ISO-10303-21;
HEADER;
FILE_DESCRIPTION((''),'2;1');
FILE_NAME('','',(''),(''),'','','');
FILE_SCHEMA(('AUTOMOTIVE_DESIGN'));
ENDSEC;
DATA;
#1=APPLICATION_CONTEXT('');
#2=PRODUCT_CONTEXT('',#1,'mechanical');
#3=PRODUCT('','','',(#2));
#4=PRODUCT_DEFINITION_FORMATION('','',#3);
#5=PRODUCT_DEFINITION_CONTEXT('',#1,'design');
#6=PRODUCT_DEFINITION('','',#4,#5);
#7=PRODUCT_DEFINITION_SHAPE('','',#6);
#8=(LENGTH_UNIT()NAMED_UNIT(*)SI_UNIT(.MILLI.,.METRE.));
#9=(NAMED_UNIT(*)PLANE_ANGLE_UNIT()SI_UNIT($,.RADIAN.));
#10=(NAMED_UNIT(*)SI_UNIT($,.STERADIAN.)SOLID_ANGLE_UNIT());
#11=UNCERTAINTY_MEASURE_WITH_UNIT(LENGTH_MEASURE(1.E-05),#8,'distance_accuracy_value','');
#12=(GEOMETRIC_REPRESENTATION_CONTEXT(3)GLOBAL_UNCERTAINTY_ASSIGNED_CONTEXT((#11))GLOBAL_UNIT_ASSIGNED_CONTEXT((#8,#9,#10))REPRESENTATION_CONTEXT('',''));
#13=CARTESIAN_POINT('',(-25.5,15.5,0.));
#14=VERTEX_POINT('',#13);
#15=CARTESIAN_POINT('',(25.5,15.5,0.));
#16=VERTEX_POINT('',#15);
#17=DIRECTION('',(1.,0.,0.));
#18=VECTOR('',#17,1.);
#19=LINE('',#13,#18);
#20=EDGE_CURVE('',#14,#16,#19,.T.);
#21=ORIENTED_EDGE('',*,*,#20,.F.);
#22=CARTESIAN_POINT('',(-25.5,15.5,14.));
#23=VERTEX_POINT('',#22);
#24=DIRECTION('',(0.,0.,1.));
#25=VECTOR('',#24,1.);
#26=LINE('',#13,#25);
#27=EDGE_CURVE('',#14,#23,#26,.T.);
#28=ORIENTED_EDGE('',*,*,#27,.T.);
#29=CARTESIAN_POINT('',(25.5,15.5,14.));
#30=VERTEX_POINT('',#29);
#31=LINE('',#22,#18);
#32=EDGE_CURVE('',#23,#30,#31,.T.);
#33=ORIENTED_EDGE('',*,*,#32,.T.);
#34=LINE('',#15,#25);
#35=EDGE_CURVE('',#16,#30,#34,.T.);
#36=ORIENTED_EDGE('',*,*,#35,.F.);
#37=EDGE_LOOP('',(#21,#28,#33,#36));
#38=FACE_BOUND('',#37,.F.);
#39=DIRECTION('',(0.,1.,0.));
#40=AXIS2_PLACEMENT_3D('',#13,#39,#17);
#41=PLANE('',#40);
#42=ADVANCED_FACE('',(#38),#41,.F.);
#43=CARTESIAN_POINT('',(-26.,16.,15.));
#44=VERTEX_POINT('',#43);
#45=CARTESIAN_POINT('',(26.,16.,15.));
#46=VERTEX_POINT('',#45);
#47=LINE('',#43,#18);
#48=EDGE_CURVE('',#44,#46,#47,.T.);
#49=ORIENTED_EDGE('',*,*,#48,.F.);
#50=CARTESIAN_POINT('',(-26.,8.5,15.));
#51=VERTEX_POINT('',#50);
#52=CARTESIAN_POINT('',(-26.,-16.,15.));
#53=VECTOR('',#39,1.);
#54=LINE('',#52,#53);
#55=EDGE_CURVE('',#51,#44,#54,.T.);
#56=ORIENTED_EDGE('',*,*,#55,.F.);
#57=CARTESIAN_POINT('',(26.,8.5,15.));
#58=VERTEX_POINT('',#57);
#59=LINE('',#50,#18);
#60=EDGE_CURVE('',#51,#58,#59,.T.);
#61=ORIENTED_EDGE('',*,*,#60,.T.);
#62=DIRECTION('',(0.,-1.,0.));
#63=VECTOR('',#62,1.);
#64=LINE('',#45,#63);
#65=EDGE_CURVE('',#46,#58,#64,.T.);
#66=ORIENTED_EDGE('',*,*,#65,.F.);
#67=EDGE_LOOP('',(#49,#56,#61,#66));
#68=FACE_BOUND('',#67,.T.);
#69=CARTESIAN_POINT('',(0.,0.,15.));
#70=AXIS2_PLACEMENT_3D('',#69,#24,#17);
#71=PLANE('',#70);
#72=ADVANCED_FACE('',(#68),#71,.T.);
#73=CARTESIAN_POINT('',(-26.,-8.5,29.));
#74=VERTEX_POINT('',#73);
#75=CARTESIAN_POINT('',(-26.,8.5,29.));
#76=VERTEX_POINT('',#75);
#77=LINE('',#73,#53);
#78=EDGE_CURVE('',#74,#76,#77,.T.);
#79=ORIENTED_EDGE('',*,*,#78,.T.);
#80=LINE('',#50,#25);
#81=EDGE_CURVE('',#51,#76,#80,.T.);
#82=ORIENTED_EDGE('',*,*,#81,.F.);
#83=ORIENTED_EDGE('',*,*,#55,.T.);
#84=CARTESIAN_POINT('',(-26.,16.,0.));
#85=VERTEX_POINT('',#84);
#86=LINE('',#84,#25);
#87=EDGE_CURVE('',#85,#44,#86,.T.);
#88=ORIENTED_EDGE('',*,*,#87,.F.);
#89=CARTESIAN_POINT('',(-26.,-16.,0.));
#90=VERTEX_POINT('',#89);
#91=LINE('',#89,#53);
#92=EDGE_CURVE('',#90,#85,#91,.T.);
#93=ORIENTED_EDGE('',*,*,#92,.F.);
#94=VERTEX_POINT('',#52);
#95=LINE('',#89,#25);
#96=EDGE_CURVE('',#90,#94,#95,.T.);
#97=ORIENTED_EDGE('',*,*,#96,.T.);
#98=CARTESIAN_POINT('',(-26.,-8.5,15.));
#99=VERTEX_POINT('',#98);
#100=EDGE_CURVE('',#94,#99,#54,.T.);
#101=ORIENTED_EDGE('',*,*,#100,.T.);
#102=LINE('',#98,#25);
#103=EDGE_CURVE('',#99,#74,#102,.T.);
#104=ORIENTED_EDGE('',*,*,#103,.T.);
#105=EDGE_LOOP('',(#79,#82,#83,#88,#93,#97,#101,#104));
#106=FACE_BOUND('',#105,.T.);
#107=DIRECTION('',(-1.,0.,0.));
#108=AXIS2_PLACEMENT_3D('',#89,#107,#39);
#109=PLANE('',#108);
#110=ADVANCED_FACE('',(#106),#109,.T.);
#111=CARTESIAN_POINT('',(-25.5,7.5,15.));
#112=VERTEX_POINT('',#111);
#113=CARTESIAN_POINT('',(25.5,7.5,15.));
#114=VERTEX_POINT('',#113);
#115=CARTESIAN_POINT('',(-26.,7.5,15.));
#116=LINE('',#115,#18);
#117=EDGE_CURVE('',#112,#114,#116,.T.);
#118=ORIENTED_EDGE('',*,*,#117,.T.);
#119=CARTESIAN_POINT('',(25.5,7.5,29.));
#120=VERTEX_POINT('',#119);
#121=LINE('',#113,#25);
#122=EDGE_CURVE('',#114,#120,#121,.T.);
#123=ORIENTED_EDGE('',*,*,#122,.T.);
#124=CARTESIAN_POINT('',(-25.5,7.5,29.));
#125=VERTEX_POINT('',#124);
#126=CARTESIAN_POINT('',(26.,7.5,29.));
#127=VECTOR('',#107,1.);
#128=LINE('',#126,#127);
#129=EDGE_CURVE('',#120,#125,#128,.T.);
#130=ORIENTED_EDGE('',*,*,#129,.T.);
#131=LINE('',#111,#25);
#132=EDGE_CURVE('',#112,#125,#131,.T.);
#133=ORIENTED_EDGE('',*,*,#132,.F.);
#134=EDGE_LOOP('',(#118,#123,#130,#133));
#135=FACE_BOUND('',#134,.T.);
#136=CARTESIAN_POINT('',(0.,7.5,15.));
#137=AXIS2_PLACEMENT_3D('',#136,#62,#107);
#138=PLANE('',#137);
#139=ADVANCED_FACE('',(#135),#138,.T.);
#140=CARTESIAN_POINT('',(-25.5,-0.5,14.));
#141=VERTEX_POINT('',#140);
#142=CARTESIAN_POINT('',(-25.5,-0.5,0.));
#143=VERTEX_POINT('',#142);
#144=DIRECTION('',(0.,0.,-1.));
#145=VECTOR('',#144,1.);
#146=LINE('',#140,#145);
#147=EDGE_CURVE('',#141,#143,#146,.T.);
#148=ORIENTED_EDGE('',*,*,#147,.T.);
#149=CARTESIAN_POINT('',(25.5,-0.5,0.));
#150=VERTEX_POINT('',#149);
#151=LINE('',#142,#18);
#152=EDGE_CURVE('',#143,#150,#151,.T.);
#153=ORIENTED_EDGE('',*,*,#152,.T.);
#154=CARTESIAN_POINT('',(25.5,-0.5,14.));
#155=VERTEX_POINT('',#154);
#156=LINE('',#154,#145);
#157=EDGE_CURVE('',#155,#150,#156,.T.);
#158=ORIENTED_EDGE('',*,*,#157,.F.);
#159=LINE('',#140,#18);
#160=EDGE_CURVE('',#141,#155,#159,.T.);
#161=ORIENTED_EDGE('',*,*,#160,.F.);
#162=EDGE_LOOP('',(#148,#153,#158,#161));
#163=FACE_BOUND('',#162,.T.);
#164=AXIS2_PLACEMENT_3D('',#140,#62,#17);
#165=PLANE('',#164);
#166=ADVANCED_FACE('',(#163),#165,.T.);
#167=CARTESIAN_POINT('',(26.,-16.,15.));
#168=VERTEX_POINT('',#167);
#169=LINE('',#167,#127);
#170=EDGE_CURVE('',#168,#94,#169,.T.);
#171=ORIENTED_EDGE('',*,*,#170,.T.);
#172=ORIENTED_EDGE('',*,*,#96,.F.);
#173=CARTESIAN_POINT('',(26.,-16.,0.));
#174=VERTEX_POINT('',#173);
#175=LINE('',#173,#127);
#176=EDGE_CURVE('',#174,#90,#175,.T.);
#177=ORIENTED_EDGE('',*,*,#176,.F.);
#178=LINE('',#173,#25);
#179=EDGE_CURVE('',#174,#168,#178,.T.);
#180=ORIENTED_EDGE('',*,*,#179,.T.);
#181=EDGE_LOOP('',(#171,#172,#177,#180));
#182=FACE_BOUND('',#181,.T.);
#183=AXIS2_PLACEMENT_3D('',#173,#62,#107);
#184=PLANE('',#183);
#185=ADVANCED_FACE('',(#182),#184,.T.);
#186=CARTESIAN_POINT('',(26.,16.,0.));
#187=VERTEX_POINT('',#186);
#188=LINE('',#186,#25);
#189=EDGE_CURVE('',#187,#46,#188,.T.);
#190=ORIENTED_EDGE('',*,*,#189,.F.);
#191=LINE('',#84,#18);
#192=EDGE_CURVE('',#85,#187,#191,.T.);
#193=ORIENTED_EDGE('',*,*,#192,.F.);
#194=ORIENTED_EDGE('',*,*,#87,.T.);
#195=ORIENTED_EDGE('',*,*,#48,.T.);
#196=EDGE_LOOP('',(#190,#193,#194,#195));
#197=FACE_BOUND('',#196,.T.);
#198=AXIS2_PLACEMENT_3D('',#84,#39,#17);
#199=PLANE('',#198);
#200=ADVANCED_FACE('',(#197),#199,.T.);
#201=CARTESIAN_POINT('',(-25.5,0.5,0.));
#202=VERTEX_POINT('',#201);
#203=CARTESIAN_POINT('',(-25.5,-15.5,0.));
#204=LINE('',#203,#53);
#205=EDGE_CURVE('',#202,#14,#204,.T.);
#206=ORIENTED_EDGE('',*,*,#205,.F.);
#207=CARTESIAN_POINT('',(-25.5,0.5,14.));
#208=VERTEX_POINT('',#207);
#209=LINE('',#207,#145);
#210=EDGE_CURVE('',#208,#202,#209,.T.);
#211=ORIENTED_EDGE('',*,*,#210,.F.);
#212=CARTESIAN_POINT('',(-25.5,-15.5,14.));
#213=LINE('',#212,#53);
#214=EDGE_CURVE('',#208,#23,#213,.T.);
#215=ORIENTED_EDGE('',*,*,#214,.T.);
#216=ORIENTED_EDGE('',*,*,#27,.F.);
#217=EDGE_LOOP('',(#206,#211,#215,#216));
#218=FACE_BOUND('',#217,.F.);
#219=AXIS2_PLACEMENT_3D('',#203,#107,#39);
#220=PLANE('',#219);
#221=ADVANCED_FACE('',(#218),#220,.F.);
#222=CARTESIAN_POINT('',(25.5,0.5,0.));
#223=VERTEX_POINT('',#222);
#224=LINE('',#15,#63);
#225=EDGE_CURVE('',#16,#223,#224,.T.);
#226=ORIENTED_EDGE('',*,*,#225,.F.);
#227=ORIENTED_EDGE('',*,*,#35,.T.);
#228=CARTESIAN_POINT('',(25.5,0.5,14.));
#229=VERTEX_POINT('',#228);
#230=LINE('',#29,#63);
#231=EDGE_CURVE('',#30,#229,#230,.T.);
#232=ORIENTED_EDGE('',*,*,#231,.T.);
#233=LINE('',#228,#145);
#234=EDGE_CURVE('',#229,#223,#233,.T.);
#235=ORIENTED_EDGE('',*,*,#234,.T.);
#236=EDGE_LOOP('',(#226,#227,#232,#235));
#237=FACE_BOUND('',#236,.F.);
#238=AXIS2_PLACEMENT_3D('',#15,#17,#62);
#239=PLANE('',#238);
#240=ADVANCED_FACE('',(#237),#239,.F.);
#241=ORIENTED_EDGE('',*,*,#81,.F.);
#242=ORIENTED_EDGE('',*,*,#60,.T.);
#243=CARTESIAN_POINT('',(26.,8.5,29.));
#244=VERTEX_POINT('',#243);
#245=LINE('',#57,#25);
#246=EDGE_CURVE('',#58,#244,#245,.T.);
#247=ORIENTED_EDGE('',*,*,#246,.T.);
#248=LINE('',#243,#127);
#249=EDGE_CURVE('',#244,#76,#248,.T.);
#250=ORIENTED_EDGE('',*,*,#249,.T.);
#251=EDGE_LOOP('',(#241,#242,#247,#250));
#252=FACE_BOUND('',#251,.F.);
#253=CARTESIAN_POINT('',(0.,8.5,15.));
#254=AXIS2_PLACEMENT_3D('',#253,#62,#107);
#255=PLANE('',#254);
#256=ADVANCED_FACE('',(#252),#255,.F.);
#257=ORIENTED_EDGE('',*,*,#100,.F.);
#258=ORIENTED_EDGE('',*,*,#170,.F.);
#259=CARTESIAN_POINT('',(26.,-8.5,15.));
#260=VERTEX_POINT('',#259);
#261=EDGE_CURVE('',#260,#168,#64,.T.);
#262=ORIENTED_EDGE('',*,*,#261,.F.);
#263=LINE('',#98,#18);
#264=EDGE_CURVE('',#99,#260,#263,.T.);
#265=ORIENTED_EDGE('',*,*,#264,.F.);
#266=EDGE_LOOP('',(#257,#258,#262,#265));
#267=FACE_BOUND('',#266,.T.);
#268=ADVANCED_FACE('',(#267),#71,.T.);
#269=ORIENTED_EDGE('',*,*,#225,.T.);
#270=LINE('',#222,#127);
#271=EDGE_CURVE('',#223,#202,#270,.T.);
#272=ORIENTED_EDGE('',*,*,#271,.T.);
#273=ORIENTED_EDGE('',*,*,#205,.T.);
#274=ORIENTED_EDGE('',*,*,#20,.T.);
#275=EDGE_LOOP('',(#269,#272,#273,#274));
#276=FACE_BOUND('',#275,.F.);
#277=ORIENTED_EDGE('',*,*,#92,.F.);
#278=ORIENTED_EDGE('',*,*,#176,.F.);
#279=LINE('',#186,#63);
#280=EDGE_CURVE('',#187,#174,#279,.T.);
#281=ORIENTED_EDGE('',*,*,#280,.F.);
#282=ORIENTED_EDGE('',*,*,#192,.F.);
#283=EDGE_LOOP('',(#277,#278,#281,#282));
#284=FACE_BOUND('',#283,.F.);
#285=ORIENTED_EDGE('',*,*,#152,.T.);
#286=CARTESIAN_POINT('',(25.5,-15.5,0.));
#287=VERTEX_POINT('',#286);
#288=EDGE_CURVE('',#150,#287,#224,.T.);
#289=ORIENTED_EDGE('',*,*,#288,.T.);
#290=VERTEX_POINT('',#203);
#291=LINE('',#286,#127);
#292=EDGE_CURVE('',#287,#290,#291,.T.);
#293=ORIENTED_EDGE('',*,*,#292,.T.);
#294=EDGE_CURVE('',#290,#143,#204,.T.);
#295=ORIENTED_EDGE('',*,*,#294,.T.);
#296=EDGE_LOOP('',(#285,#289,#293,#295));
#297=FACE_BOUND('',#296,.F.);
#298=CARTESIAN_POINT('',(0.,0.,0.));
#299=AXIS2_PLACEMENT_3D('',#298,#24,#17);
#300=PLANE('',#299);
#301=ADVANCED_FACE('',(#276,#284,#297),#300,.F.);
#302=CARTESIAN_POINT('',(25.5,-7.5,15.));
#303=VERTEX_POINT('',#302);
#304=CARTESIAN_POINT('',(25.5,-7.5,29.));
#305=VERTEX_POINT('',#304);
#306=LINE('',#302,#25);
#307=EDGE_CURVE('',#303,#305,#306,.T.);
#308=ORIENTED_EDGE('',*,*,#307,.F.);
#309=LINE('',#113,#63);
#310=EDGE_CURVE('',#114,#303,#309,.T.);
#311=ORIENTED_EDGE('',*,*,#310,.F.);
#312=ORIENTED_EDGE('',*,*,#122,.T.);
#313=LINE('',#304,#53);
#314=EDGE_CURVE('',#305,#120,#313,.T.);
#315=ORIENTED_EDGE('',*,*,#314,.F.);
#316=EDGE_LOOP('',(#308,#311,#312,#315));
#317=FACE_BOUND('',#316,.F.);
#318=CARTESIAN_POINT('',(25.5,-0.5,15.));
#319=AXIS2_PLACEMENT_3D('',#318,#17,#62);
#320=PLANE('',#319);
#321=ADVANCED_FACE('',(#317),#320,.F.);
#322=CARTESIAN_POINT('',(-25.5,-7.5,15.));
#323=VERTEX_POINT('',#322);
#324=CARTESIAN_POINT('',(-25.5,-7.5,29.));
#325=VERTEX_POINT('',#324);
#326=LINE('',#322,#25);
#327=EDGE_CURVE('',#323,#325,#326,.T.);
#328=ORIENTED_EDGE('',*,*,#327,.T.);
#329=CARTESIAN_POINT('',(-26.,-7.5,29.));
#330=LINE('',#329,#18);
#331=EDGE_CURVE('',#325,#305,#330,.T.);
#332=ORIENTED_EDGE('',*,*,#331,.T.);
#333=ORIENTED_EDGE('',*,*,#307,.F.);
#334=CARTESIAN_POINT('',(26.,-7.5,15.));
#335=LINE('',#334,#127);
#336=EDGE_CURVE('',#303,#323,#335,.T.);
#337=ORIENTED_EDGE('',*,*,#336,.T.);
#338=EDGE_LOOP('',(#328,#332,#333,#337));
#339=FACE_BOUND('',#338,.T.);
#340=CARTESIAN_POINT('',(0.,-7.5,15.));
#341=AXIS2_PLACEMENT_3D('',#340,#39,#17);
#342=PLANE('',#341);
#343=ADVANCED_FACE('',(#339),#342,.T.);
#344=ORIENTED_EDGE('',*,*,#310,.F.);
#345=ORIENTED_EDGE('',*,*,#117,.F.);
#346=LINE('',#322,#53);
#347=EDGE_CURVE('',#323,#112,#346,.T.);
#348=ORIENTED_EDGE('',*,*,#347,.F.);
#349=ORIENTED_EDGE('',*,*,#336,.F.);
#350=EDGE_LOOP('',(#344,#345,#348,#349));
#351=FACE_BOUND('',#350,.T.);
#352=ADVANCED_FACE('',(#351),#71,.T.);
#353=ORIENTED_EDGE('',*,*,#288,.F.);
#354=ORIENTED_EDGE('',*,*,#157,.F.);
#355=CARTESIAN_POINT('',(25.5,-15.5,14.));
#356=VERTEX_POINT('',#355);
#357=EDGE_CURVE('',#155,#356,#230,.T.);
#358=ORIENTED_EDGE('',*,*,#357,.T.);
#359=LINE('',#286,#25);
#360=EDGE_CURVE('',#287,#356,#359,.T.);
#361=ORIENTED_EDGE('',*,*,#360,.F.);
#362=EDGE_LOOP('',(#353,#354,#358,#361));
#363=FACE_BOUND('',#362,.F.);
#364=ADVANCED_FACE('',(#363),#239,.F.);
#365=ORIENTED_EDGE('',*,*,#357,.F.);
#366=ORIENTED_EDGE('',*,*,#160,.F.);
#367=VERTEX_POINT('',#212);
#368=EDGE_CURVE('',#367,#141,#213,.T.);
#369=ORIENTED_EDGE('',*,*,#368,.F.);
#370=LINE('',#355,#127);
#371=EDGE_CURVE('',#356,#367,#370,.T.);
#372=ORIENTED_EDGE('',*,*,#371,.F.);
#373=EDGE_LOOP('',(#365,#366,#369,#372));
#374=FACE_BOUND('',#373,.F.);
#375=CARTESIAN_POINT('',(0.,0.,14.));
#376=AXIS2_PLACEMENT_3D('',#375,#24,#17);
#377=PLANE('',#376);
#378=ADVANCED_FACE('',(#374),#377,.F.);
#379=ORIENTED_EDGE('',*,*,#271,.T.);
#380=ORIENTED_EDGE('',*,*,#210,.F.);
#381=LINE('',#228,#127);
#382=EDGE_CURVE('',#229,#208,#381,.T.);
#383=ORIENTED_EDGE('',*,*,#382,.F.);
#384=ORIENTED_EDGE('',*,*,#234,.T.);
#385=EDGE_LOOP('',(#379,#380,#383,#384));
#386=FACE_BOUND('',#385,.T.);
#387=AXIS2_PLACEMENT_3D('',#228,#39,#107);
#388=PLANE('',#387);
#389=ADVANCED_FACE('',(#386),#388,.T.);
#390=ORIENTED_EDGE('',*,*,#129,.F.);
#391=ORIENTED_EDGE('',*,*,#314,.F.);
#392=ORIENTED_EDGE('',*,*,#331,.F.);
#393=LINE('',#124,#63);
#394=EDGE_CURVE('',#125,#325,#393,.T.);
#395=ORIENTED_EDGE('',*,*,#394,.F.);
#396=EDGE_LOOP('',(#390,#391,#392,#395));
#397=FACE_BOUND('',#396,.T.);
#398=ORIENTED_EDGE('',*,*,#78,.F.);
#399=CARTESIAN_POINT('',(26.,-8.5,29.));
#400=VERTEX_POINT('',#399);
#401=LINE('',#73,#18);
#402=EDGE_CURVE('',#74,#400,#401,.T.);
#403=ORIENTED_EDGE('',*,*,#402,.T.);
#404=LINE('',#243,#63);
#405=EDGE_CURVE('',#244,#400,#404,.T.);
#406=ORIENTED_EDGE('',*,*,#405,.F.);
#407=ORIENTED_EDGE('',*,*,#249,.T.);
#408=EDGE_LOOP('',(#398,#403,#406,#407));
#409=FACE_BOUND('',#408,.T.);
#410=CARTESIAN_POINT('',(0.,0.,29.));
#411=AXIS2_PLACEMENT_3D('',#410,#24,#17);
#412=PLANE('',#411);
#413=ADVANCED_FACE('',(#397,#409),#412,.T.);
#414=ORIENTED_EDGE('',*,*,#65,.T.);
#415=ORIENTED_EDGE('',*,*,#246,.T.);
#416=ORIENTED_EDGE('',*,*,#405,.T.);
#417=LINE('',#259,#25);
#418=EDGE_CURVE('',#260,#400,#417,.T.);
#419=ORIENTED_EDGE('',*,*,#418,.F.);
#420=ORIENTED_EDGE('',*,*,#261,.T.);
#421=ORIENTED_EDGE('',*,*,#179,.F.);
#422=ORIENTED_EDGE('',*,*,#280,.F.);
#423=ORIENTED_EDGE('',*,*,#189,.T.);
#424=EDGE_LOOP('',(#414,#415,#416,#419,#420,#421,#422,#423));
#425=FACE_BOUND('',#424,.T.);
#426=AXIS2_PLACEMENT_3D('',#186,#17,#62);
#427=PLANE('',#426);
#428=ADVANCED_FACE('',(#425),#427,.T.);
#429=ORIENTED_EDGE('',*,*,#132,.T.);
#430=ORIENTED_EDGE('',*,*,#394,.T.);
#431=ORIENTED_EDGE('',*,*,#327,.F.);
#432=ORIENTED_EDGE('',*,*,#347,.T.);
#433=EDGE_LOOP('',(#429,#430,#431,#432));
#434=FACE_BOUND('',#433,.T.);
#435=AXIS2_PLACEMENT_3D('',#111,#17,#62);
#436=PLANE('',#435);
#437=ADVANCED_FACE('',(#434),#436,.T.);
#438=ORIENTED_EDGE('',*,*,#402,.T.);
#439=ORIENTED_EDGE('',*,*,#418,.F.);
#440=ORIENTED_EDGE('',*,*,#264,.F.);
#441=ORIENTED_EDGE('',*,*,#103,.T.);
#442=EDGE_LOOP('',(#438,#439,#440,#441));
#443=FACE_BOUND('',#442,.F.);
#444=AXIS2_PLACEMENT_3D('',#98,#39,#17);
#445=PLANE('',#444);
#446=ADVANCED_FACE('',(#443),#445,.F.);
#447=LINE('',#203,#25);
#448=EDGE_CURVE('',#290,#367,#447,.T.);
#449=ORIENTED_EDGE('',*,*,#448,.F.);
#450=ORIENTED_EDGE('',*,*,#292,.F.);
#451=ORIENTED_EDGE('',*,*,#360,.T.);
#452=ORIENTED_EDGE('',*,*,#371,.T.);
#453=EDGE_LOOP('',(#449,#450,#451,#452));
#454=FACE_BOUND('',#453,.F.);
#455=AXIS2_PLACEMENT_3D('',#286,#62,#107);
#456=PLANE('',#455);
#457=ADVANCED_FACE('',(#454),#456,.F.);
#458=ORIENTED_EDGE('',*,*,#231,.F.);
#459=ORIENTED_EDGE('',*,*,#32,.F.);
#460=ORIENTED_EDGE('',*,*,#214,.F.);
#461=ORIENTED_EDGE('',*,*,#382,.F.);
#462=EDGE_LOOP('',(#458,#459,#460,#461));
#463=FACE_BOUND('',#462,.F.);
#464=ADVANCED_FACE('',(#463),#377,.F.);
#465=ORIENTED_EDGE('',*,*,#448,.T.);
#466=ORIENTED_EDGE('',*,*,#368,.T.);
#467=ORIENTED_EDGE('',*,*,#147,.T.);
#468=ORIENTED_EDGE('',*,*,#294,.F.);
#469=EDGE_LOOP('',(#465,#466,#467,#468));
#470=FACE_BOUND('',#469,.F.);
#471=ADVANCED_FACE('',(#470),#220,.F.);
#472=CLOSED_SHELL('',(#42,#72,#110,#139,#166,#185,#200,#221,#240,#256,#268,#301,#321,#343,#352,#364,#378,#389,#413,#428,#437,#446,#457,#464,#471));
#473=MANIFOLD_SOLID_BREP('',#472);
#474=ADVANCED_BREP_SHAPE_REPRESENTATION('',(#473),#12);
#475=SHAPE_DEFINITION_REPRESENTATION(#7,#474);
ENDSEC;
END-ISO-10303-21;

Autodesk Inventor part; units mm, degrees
ref_plane "YZ Plane" through (0, 0, 0) normal (1, 0, 0) x (0, 1, 0)
ref_plane "XZ Plane" through (0, 0, 0) normal (0, 1, 0) x (-1, 0, 0)
ref_plane "XY Plane" through (0, 0, 0) normal (0, 0, 1) x (1, 0, 0)
sketch "Szkic1" plane through (0, 0, 0) normal (0, 0, 1) x (1, 0, 0)
  line L0 (25.5, -15.5) -> (-25.5, -15.5)
  line L1 (-25.5, -15.5) -> (-25.5, 15.5)
  line L2 (-25.5, 15.5) -> (25.5, 15.5)
  line L3 (25.5, 15.5) -> (25.5, -15.5)
  line L4 (25.5, -15.5) -> (-25.5, 15.5) construction
  line L5 (-25.5, -15.5) -> (25.5, 15.5) construction
  line L6 (26, -16) -> (-26, -16)
  line L7 (-26, -16) -> (-26, 16)
  line L8 (-26, 16) -> (26, 16)
  line L9 (26, 16) -> (26, -16)
  line L10 (26, -16) -> (-26, 16) construction
  line L11 (-26, -16) -> (26, 16) construction
  point P0 (0, 0)
  dimension "d0" = 51
  dimension "d1" = 31
  dimension "d2" = 52
  dimension "d3" = 32
extrude "Wyciągnięcie proste1" add sketch "Szkic1" along normal blind 15
sketch "Szkic2" plane through (0, 0, 15) normal (0, 0, 1) x (1, 0, 0)
  line L0 (-25.5, -15.5) -> (-25.5, 15.5) projected
  line L1 (25.5, -15.5) -> (-25.5, -15.5)
  line L2 (-25.5, -15.5) -> (-25.5, 15.5)
  line L3 (-25.5, 15.5) -> (25.5, 15.5)
  line L4 (25.5, 15.5) -> (25.5, -15.5)
  line L5 (25.5, -15.5) -> (-25.5, 15.5) construction
  line L6 (-25.5, -15.5) -> (25.5, 15.5) construction
  point P0 (0, 0)
extrude "Wyciągnięcie proste2" add sketch "Szkic2" against normal blind 1
sketch "Szkic4" plane through (0, 0, 14) normal (0, 0, -1) x (-1, 0, 0)
  line L0 (-25.5, -15.5) -> (-25.5, 15.5) projected
  line L1 (-25.5, 0) -> (-25.5, 0.5)
  line L2 (-25.5, 0.5) -> (25.5, 0.5)
  line L3 (25.5, 15.5) -> (25.5, -15.5) projected
  line L4 (25.5, -0.5) -> (-25.5, -0.5)
  point P0 (0, 0)
  dimension "d14" = 0.5
extrude "Wyciągnięcie proste4" add sketch "Szkic4" along normal blind 14
sketch "Szkic5" plane through (0, 0, 15) normal (0, 0, 1) x (1, 0, 0)
  line L0 (0, 0) -> (0, 7.5)
  line L1 (0, 7.5) -> (0, 8.5)
  line L2 (0, 8.5) -> (26, 8.5)
  line L3 (26, -16) -> (26, 16) projected
  line L4 (0, 8.5) -> (-26, 8.5)
  line L5 (-26, 16) -> (-26, -16) projected
  line L6 (25.5, -0.5) -> (-25.5, -0.5) projected
  line L7 (0, 0) -> (0, -7.5)
  line L8 (0, -7.5) -> (26, -7.5)
  line L9 (0, -7.5) -> (-26, -7.5)
  line L10 (0, 7.5) -> (26, 7.5)
  line L11 (26, 8.5) -> (26, 7.5)
  line L12 (0, 7.5) -> (-26, 7.5)
  line L13 (-26, 8.5) -> (-26, 7.5)
  line L14 (-26, -7.5) -> (-26, -8.5)
  line L15 (-26, -8.5) -> (26, -8.5)
  line L16 (26, -7.5) -> (26, -8.5)
  line L17 (26, -7.5) -> (26, 7.5)
  line L18 (-26, 7.5) -> (-26, -7.5)
  dimension "d17" = 7.5
  dimension "d18" = 1
  dimension "d20" = 7.5
  dimension "d21" = 1
extrude "Wyciągnięcie proste5" add sketch "Szkic5" along normal blind 14 contours L12 L5 L4 L1 | L1 L2 L3 L10 | L8 L3 L15 L5 L9
sketch "Szkic7" plane through (0, 0, 15) normal (0, 0, 1) x (1, 0, 0)
  line L0 (26, 7.5) -> (-26, 7.5) projected
  line L1 (-26, 7.5) -> (-25.5, 7.5)
  line L2 (-25.5, 7.5) -> (-25.5, -7.5)
  line L3 (-25.5, -15.5) -> (-25.5, -0.5) projected
  line L4 (26, -7.5) -> (-26, -7.5) projected
  line L5 (-25.5, -7.5) -> (-26, -7.5)
  line L6 (-26, 8.5) -> (-26, 7.5) projected
  line L7 (-26, -7.5) -> (-26, 7.5)
  line L8 (26, 7.5) -> (25.5, 7.5)
  line L9 (25.5, 15.5) -> (25.5, 0.5) projected
  line L10 (25.5, 7.5) -> (25.5, -7.5)
  line L11 (25.5, -0.5) -> (25.5, -15.5) projected
  line L12 (25.5, -7.5) -> (26, -7.5)
  line L13 (26, -7.5) -> (26, 7.5)
  line L14 (26, -16) -> (26, 16) projected
  point P0 (0, 0)
  point P1 (25.5, 0.5)
  dimension "d30" = 0.5
  dimension "d31" = 15
extrude "Wyciągnięcie proste7" add sketch "Szkic7" along normal blind 14 contours L13 L4 L10 L9 L0 | L2 L4 L7 L0
properties part number "Magazynek na baterie"
